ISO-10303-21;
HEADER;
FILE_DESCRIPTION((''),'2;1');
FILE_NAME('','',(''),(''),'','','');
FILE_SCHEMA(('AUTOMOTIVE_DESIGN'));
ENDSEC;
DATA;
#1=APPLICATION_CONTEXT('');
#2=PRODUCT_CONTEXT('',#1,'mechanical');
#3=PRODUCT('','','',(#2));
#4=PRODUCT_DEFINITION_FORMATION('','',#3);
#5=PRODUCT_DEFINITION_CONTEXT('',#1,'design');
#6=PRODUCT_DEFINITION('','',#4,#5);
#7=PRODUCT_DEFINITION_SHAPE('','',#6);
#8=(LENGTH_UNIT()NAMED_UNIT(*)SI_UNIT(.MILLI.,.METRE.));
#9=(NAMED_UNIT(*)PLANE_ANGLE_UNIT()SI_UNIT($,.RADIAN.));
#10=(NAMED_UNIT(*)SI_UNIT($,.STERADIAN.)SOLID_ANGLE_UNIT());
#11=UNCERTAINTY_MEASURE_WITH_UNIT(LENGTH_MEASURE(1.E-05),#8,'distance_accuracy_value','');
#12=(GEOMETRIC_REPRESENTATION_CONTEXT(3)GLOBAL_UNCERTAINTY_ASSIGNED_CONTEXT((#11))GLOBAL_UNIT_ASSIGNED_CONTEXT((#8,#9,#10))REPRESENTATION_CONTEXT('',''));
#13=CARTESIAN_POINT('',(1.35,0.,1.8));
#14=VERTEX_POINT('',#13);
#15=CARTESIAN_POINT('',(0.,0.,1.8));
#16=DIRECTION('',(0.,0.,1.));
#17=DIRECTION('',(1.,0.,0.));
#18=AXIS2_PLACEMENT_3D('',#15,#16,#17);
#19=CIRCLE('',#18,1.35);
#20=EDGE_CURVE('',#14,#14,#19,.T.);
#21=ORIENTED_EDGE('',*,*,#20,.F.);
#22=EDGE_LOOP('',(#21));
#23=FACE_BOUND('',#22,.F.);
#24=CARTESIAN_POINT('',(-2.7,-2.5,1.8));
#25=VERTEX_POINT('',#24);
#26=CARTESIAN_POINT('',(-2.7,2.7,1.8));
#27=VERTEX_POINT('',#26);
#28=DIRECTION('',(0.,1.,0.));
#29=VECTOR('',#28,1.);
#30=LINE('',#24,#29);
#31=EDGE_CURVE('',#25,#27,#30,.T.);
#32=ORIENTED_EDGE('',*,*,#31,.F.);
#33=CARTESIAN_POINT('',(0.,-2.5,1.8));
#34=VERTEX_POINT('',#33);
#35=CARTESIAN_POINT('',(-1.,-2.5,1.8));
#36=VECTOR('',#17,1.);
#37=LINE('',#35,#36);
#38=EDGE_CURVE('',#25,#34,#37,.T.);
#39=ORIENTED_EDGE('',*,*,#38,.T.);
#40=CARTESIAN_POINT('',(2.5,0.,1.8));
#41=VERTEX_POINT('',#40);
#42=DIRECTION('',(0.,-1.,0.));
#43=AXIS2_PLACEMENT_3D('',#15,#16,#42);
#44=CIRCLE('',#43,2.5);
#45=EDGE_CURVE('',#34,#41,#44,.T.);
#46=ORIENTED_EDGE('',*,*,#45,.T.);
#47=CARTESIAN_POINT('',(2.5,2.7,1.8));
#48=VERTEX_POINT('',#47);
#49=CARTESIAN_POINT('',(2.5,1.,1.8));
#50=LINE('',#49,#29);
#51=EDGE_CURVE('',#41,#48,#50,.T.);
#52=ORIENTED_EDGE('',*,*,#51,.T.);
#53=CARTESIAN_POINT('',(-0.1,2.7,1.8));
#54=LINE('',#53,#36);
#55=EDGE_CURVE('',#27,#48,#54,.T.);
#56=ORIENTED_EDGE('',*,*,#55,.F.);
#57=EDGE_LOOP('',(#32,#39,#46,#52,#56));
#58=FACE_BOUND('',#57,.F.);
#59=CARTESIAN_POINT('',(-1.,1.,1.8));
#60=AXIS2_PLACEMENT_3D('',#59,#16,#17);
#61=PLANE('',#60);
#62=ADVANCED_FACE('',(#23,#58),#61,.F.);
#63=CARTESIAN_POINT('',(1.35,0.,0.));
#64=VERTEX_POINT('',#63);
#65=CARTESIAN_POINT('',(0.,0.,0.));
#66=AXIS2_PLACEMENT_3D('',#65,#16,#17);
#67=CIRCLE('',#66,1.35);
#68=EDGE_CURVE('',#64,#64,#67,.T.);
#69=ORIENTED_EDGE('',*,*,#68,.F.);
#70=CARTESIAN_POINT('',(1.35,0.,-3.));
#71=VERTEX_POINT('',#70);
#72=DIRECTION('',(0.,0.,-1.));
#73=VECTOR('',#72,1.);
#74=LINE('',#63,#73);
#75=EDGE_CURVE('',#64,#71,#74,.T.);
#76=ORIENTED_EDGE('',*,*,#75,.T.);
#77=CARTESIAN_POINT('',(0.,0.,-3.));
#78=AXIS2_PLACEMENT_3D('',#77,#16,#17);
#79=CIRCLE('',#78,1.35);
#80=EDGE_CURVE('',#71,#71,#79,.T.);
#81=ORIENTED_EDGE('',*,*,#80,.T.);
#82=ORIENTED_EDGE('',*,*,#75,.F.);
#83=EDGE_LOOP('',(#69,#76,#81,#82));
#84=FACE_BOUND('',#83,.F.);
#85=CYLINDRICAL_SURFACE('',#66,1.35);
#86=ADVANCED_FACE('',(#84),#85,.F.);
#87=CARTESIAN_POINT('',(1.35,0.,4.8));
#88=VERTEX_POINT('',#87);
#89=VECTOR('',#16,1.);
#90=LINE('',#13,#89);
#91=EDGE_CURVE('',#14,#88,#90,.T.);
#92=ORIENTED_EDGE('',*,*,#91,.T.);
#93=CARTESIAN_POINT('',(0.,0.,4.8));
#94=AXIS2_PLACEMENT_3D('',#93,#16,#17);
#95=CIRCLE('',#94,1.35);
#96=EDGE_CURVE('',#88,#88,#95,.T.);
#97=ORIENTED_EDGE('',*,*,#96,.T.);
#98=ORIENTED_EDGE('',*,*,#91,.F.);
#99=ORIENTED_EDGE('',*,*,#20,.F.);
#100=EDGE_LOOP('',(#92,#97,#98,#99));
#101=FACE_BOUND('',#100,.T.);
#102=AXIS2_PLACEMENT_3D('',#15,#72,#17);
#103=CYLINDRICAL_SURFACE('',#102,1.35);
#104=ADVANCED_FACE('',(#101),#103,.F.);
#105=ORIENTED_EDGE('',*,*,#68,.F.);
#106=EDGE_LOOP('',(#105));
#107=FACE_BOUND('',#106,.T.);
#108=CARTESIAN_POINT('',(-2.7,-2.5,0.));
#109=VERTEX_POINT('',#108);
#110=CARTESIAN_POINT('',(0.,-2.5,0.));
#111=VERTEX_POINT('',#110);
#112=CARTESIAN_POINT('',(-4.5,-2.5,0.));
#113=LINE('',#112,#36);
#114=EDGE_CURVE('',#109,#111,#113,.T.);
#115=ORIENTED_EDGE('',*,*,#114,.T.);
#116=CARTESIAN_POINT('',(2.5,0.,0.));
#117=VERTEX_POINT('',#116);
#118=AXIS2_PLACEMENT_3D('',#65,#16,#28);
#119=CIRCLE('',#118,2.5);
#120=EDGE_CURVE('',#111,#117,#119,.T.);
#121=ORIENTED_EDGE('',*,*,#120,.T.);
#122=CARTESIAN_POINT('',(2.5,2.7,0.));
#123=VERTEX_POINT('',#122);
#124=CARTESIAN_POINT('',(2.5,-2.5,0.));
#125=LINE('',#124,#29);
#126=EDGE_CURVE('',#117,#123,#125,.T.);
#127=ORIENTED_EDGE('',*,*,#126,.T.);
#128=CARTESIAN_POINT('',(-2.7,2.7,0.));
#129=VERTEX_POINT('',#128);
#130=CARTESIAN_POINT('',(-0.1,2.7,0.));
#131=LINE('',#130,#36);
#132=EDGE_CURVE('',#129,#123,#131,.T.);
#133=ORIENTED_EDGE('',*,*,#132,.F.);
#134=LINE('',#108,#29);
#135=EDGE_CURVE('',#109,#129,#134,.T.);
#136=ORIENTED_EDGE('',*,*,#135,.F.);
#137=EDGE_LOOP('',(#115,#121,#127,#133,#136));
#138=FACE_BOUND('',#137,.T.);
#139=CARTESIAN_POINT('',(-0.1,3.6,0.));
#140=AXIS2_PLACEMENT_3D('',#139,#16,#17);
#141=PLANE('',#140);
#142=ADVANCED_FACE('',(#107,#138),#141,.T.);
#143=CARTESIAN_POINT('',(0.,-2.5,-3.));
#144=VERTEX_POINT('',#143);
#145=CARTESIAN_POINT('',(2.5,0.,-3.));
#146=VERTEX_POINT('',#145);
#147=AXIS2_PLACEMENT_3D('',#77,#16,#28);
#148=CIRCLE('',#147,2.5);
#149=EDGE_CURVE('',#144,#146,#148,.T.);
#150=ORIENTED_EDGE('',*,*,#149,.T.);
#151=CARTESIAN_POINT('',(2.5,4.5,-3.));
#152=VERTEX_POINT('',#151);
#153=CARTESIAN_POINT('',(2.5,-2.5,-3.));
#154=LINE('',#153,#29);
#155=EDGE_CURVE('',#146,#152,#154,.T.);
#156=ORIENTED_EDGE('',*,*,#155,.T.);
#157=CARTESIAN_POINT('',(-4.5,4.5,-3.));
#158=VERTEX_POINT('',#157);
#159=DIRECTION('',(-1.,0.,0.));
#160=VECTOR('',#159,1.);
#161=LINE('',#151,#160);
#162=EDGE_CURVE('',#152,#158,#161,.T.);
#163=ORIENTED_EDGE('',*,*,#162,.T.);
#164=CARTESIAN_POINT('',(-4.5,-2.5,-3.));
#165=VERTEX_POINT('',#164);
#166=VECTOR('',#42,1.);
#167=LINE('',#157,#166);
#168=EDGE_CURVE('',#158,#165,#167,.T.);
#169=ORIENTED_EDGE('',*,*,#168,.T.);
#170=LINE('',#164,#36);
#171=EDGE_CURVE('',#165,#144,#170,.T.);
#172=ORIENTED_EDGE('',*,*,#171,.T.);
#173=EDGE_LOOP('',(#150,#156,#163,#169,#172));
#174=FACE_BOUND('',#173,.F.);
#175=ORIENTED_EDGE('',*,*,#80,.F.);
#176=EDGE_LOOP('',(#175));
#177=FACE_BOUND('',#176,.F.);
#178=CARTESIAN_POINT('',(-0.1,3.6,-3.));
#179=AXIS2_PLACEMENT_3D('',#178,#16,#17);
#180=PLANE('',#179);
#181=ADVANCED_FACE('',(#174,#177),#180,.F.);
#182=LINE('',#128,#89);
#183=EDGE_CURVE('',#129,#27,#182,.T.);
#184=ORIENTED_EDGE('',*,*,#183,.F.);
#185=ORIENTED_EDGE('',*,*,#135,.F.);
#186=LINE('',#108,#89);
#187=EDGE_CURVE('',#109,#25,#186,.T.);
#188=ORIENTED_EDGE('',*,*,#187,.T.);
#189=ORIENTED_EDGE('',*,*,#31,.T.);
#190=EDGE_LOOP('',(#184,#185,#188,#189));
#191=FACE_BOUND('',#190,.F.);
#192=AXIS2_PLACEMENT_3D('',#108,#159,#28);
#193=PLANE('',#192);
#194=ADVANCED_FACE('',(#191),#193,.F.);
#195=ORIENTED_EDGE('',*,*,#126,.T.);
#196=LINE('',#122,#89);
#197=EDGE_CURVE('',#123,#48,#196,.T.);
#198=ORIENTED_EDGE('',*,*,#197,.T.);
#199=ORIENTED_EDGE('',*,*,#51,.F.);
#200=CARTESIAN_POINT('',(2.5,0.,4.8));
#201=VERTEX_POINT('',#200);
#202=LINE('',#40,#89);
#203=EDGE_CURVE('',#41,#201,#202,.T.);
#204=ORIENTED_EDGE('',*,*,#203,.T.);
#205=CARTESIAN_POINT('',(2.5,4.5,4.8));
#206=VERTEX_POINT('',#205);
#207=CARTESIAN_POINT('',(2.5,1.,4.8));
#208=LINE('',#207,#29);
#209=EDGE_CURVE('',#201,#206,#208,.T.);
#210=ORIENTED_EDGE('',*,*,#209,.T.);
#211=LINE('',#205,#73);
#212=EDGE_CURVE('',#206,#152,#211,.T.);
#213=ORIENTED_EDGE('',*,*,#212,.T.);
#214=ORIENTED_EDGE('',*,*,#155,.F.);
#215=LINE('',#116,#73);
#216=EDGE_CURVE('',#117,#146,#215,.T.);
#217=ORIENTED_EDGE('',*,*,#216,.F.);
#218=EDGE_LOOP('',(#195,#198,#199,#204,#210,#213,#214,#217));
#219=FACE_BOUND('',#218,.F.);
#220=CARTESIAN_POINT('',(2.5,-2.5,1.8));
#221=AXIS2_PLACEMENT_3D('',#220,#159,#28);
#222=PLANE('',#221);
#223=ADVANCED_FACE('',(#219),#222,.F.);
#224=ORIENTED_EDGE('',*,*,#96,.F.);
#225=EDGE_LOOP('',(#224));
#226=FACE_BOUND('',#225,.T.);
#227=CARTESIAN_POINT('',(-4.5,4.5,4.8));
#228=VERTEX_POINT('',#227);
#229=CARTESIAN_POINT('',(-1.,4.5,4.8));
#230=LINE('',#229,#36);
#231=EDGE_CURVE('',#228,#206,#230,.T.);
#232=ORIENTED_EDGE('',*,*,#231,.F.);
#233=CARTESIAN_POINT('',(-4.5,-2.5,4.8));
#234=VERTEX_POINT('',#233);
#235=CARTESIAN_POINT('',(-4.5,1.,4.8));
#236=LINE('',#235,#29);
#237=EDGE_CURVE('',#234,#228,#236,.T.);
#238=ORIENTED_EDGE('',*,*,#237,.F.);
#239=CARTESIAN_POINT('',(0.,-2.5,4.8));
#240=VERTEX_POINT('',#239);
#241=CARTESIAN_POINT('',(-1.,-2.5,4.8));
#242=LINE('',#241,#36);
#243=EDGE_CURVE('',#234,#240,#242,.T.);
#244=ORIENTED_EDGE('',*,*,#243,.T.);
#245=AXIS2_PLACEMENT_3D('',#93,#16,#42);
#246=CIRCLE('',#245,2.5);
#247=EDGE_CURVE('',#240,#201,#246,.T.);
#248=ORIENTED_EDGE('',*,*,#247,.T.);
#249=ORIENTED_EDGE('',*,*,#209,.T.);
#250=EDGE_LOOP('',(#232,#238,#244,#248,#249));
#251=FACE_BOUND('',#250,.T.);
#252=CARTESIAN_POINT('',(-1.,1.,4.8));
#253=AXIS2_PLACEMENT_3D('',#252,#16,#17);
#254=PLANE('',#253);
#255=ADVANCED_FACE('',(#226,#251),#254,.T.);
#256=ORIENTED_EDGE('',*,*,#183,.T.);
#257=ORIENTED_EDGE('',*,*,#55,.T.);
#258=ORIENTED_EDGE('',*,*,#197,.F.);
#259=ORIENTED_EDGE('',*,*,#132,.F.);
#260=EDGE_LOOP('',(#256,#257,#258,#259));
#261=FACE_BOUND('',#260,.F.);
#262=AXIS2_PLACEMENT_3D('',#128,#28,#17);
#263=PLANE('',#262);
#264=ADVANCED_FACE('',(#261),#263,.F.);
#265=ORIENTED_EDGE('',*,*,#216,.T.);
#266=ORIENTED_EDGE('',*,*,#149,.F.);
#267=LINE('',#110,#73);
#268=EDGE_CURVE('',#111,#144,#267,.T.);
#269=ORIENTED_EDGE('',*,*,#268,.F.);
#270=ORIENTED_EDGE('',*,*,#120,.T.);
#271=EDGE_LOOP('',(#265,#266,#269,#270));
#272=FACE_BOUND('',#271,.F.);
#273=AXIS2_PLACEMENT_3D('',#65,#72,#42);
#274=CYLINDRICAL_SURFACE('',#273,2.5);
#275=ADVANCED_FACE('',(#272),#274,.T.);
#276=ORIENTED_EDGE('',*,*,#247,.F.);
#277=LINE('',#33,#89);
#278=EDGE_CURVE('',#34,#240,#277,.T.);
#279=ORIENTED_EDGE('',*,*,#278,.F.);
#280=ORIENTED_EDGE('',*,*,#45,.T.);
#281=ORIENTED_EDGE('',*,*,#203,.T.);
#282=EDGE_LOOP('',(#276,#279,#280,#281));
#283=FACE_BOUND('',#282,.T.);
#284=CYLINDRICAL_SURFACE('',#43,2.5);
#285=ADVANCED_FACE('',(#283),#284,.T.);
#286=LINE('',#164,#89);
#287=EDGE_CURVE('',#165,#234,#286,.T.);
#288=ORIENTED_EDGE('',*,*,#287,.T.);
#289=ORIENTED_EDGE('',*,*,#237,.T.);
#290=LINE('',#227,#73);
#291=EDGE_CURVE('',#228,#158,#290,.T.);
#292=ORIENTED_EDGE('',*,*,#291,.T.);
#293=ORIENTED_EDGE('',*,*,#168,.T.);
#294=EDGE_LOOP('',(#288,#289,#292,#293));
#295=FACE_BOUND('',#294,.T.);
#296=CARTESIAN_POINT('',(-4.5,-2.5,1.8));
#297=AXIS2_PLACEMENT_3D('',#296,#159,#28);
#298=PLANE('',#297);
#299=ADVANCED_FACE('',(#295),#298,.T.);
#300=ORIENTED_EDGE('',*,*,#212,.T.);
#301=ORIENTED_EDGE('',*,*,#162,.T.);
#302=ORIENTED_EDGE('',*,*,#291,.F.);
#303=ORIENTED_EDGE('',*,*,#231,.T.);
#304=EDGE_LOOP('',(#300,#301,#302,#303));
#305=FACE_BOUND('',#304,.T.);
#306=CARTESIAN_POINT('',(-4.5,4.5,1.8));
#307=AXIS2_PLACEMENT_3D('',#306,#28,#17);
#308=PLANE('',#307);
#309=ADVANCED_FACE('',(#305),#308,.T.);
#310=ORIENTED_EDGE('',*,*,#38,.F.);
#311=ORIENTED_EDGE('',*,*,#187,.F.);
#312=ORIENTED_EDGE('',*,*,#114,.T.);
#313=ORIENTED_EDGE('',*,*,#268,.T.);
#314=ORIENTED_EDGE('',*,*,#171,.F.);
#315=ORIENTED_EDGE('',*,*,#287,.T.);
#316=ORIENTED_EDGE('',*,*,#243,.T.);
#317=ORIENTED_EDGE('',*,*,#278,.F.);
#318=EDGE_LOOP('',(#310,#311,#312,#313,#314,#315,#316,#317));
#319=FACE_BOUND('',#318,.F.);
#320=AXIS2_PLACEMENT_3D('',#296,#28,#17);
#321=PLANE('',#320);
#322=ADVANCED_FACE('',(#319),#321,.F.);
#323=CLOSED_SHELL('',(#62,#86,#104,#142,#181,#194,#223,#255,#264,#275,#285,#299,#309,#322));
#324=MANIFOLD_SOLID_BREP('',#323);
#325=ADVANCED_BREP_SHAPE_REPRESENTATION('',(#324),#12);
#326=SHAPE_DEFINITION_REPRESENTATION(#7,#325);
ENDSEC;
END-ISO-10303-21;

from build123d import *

# Parameters (mm, degrees)
F0_W     = 5.2
F0_H     = 1.8
F0_H_2   = 5.2
F0_R     = 1.35
F1_DEPTH = 3
F2_W     = 5.2
F2_H     = 1.8
F3_DEPTH = 1.8
F4_W     = 7
F4_H     = 7
F4_R     = 1.35
F5_DEPTH = 3
F6_R     = 2.5


with BuildPart() as f1:
    # F0 (on Top) → F1 (new body)
    with BuildSketch(Plane.XY):
        with Locations((-0.1, 3.6)):
            Rectangle(F0_W, F0_H)
        Polygon((-4.5, -2.5), (-2.7, -2.5), (-2.7, 2.7), (-2.7, 4.5), (-4.5, 4.5), align=None)
        with Locations((-0.1, 0.1)):
            Rectangle(F0_W, F0_H_2)
        Circle(F0_R, mode=Mode.SUBTRACT)
    extrude(amount=-F1_DEPTH)

    # F0 (on Top) + F2 (on face) → F3 (join)
    with BuildSketch(Plane.XY):
        Polygon((-4.5, -2.5), (-2.7, -2.5), (-2.7, 2.7), (-2.7, 4.5), (-4.5, 4.5), align=None)
    with BuildSketch(Plane.XY):
        with Locations((-0.1, 3.6)):
            Rectangle(F2_W, F2_H)
    extrude(amount=F3_DEPTH)

    # F4 (on face) → F5 (join)
    with BuildSketch(Plane.XY.offset(1.8)):
        with Locations((-1, 1)):
            Rectangle(F4_W, F4_H)
        Circle(F4_R, mode=Mode.SUBTRACT)
    extrude(amount=F5_DEPTH)

    # F6
    f6_edges = [f1.edges().sort_by_distance(p)[0] for p in [
        (2.5, -2.5, 3.3),
        (2.5, -2.5, -1.5),
    ]]
    fillet(f6_edges, radius=F6_R)


solid = f1.part
